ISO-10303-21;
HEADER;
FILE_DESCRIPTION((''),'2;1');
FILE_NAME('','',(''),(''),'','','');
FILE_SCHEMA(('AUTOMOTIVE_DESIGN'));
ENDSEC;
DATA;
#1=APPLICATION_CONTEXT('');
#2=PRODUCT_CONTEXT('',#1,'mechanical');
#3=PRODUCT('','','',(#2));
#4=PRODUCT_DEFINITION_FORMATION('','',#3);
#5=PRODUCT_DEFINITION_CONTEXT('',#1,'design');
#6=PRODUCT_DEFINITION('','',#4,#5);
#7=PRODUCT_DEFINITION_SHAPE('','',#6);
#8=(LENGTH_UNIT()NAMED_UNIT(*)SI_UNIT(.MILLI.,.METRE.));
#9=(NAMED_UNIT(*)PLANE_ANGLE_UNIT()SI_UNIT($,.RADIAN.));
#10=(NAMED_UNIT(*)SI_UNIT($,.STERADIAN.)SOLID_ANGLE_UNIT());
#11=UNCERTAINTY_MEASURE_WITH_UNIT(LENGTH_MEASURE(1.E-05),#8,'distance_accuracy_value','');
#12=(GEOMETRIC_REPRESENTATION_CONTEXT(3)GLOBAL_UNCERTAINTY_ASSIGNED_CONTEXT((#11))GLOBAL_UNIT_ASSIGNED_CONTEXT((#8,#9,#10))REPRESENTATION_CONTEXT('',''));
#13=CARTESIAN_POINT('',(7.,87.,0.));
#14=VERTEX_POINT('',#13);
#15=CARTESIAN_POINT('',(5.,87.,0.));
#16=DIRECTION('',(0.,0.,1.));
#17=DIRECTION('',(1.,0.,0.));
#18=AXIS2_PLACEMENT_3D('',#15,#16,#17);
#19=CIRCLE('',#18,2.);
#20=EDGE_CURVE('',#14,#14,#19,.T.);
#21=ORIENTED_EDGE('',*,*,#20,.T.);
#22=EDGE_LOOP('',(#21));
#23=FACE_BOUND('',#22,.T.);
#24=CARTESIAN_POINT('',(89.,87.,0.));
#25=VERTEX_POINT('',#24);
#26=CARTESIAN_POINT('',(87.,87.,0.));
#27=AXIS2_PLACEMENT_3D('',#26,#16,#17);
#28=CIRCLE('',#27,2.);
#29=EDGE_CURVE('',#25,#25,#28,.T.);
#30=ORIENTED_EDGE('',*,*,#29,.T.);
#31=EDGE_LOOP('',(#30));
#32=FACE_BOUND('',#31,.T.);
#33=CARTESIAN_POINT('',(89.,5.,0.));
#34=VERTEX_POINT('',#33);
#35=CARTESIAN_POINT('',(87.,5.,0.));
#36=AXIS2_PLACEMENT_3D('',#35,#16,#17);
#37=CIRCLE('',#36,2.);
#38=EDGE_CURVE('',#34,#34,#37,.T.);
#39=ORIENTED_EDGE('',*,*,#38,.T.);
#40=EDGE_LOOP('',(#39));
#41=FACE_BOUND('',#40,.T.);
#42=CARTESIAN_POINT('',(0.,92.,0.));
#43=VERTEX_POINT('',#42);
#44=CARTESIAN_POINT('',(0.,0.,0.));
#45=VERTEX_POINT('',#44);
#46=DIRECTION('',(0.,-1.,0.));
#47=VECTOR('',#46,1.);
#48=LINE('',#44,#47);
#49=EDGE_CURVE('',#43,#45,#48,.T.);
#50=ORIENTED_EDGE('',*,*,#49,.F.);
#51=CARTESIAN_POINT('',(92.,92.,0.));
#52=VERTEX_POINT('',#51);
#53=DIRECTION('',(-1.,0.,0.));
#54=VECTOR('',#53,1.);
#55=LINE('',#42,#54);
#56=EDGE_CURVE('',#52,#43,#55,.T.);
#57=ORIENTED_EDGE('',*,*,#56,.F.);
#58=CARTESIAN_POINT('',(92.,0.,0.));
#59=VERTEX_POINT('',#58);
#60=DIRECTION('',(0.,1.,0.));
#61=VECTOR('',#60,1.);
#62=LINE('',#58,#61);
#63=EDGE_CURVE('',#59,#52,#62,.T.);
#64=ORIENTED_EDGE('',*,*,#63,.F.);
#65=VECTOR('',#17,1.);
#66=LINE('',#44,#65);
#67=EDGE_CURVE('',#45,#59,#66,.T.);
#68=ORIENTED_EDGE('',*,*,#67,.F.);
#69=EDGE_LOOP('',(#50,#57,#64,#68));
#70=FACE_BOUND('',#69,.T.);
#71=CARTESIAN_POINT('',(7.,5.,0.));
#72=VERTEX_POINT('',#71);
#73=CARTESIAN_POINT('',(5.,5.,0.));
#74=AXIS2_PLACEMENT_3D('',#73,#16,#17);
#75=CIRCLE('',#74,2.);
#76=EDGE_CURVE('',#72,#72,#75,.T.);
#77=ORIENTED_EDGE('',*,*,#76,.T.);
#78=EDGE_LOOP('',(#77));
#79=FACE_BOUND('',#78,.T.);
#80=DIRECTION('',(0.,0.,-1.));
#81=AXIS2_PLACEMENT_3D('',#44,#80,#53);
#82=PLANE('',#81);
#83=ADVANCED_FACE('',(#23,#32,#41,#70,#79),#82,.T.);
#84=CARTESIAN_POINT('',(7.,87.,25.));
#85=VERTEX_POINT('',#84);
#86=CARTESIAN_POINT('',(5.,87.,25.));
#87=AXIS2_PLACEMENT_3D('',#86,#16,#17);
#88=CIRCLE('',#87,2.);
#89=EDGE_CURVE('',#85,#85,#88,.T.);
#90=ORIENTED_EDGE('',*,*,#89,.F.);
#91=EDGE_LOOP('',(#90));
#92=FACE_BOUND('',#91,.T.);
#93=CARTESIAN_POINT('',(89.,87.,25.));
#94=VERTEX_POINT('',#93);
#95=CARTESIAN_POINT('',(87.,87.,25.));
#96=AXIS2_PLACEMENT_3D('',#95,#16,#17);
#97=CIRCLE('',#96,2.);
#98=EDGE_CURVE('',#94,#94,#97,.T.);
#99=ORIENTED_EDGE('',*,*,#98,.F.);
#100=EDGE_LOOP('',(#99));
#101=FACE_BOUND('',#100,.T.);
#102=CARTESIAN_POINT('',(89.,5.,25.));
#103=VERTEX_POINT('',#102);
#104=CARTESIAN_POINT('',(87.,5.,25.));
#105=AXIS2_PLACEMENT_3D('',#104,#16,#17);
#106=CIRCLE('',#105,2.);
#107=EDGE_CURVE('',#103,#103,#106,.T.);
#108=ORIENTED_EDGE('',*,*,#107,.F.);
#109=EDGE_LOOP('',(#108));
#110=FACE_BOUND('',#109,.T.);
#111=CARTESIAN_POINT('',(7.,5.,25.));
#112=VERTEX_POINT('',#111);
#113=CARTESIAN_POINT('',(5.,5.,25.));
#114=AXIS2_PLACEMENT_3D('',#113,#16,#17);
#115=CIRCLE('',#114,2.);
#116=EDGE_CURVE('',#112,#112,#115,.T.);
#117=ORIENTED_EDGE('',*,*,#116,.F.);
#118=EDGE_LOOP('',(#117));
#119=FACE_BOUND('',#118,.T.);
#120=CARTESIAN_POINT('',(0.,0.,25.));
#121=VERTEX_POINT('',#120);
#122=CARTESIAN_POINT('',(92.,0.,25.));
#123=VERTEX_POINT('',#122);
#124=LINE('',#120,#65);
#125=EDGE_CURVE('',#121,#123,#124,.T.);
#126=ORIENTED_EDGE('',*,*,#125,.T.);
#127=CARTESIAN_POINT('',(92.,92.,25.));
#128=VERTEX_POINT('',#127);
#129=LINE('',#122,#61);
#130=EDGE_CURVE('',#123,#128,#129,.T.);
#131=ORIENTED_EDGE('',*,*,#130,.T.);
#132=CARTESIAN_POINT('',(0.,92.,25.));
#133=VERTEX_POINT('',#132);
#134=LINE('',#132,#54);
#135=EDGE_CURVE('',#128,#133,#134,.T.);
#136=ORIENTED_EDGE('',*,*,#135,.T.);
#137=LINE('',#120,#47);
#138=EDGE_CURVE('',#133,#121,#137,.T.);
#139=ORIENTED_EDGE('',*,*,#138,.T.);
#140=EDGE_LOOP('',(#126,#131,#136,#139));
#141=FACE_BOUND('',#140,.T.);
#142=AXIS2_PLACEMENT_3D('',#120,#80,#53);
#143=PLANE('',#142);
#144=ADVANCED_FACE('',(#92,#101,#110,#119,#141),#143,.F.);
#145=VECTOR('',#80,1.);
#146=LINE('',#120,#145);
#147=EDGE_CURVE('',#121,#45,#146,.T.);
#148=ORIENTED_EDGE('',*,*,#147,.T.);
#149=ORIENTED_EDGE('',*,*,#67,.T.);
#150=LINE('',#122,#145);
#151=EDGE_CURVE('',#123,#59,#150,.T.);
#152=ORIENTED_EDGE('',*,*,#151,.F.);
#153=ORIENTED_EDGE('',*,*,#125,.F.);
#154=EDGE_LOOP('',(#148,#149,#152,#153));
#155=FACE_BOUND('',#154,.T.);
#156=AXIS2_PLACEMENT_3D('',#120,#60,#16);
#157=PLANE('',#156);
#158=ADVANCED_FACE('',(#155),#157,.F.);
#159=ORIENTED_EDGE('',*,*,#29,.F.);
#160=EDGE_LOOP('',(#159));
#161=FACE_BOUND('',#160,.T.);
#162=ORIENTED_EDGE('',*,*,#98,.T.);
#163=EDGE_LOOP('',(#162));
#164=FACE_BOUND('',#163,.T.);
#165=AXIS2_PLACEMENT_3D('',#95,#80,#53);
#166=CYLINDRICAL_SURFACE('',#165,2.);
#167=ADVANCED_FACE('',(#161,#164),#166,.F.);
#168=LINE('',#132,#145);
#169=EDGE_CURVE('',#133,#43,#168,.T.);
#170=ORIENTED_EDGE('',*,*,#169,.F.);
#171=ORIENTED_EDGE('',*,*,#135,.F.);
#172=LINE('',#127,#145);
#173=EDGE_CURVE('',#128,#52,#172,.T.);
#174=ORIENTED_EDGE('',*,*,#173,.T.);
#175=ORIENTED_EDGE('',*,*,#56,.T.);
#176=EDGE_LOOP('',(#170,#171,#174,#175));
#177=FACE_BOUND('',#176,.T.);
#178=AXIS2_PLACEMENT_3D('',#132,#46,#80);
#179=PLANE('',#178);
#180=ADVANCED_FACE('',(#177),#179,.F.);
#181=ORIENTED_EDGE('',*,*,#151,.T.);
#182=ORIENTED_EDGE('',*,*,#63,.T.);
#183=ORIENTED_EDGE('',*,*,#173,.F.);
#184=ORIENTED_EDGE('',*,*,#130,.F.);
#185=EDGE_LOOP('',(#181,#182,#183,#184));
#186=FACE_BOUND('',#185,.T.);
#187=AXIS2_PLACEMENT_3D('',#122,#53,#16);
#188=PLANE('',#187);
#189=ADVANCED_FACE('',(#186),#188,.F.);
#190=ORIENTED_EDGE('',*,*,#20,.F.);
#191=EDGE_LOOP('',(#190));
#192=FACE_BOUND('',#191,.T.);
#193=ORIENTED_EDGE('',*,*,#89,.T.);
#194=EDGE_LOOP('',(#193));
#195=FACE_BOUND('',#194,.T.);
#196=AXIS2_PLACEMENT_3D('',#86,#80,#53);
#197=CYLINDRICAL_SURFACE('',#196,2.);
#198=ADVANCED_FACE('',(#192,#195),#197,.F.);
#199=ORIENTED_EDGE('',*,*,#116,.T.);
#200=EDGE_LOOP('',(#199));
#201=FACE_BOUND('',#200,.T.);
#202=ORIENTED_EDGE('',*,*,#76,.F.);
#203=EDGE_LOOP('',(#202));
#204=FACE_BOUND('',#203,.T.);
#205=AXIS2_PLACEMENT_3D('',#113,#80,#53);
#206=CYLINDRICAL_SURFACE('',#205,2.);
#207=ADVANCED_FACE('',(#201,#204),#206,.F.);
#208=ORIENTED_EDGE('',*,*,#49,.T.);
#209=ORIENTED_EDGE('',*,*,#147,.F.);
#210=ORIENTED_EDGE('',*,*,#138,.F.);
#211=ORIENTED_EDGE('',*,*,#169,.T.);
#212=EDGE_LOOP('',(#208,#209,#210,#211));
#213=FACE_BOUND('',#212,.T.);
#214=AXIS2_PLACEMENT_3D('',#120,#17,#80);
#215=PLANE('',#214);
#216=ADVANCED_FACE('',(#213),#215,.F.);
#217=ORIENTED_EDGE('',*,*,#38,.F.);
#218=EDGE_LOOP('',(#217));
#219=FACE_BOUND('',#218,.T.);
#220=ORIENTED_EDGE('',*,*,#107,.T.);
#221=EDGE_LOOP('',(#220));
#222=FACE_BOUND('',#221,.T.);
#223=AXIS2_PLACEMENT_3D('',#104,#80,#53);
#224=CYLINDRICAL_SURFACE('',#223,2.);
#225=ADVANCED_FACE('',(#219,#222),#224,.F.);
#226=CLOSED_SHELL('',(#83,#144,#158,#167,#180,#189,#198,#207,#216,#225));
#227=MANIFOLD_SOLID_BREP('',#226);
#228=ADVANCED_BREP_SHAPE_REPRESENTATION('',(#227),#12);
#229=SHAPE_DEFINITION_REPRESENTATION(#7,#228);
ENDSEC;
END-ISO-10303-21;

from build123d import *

# Parameters (mm, degrees)
SKETCH_1_W      = 92
SKETCH_1_H      = 92
SKETCH_1_R      = 2
EXTRUDE_1_DEPTH = 25


with BuildPart() as part:
    # Эскиз1 → Бобышка-Вытянуть1 (new body)
    with BuildSketch(Plane.XY):
        with Locations((46, 46)):
            Rectangle(SKETCH_1_W, SKETCH_1_H)
        with Locations((5, 87)):
            Circle(SKETCH_1_R, mode=Mode.SUBTRACT)
        with Locations((87, 87)):
            Circle(SKETCH_1_R, mode=Mode.SUBTRACT)
        with Locations((87, 5)):
            Circle(SKETCH_1_R, mode=Mode.SUBTRACT)
        with Locations((5, 5)):
            Circle(SKETCH_1_R, mode=Mode.SUBTRACT)
    extrude(amount=EXTRUDE_1_DEPTH)


solid = part.part
